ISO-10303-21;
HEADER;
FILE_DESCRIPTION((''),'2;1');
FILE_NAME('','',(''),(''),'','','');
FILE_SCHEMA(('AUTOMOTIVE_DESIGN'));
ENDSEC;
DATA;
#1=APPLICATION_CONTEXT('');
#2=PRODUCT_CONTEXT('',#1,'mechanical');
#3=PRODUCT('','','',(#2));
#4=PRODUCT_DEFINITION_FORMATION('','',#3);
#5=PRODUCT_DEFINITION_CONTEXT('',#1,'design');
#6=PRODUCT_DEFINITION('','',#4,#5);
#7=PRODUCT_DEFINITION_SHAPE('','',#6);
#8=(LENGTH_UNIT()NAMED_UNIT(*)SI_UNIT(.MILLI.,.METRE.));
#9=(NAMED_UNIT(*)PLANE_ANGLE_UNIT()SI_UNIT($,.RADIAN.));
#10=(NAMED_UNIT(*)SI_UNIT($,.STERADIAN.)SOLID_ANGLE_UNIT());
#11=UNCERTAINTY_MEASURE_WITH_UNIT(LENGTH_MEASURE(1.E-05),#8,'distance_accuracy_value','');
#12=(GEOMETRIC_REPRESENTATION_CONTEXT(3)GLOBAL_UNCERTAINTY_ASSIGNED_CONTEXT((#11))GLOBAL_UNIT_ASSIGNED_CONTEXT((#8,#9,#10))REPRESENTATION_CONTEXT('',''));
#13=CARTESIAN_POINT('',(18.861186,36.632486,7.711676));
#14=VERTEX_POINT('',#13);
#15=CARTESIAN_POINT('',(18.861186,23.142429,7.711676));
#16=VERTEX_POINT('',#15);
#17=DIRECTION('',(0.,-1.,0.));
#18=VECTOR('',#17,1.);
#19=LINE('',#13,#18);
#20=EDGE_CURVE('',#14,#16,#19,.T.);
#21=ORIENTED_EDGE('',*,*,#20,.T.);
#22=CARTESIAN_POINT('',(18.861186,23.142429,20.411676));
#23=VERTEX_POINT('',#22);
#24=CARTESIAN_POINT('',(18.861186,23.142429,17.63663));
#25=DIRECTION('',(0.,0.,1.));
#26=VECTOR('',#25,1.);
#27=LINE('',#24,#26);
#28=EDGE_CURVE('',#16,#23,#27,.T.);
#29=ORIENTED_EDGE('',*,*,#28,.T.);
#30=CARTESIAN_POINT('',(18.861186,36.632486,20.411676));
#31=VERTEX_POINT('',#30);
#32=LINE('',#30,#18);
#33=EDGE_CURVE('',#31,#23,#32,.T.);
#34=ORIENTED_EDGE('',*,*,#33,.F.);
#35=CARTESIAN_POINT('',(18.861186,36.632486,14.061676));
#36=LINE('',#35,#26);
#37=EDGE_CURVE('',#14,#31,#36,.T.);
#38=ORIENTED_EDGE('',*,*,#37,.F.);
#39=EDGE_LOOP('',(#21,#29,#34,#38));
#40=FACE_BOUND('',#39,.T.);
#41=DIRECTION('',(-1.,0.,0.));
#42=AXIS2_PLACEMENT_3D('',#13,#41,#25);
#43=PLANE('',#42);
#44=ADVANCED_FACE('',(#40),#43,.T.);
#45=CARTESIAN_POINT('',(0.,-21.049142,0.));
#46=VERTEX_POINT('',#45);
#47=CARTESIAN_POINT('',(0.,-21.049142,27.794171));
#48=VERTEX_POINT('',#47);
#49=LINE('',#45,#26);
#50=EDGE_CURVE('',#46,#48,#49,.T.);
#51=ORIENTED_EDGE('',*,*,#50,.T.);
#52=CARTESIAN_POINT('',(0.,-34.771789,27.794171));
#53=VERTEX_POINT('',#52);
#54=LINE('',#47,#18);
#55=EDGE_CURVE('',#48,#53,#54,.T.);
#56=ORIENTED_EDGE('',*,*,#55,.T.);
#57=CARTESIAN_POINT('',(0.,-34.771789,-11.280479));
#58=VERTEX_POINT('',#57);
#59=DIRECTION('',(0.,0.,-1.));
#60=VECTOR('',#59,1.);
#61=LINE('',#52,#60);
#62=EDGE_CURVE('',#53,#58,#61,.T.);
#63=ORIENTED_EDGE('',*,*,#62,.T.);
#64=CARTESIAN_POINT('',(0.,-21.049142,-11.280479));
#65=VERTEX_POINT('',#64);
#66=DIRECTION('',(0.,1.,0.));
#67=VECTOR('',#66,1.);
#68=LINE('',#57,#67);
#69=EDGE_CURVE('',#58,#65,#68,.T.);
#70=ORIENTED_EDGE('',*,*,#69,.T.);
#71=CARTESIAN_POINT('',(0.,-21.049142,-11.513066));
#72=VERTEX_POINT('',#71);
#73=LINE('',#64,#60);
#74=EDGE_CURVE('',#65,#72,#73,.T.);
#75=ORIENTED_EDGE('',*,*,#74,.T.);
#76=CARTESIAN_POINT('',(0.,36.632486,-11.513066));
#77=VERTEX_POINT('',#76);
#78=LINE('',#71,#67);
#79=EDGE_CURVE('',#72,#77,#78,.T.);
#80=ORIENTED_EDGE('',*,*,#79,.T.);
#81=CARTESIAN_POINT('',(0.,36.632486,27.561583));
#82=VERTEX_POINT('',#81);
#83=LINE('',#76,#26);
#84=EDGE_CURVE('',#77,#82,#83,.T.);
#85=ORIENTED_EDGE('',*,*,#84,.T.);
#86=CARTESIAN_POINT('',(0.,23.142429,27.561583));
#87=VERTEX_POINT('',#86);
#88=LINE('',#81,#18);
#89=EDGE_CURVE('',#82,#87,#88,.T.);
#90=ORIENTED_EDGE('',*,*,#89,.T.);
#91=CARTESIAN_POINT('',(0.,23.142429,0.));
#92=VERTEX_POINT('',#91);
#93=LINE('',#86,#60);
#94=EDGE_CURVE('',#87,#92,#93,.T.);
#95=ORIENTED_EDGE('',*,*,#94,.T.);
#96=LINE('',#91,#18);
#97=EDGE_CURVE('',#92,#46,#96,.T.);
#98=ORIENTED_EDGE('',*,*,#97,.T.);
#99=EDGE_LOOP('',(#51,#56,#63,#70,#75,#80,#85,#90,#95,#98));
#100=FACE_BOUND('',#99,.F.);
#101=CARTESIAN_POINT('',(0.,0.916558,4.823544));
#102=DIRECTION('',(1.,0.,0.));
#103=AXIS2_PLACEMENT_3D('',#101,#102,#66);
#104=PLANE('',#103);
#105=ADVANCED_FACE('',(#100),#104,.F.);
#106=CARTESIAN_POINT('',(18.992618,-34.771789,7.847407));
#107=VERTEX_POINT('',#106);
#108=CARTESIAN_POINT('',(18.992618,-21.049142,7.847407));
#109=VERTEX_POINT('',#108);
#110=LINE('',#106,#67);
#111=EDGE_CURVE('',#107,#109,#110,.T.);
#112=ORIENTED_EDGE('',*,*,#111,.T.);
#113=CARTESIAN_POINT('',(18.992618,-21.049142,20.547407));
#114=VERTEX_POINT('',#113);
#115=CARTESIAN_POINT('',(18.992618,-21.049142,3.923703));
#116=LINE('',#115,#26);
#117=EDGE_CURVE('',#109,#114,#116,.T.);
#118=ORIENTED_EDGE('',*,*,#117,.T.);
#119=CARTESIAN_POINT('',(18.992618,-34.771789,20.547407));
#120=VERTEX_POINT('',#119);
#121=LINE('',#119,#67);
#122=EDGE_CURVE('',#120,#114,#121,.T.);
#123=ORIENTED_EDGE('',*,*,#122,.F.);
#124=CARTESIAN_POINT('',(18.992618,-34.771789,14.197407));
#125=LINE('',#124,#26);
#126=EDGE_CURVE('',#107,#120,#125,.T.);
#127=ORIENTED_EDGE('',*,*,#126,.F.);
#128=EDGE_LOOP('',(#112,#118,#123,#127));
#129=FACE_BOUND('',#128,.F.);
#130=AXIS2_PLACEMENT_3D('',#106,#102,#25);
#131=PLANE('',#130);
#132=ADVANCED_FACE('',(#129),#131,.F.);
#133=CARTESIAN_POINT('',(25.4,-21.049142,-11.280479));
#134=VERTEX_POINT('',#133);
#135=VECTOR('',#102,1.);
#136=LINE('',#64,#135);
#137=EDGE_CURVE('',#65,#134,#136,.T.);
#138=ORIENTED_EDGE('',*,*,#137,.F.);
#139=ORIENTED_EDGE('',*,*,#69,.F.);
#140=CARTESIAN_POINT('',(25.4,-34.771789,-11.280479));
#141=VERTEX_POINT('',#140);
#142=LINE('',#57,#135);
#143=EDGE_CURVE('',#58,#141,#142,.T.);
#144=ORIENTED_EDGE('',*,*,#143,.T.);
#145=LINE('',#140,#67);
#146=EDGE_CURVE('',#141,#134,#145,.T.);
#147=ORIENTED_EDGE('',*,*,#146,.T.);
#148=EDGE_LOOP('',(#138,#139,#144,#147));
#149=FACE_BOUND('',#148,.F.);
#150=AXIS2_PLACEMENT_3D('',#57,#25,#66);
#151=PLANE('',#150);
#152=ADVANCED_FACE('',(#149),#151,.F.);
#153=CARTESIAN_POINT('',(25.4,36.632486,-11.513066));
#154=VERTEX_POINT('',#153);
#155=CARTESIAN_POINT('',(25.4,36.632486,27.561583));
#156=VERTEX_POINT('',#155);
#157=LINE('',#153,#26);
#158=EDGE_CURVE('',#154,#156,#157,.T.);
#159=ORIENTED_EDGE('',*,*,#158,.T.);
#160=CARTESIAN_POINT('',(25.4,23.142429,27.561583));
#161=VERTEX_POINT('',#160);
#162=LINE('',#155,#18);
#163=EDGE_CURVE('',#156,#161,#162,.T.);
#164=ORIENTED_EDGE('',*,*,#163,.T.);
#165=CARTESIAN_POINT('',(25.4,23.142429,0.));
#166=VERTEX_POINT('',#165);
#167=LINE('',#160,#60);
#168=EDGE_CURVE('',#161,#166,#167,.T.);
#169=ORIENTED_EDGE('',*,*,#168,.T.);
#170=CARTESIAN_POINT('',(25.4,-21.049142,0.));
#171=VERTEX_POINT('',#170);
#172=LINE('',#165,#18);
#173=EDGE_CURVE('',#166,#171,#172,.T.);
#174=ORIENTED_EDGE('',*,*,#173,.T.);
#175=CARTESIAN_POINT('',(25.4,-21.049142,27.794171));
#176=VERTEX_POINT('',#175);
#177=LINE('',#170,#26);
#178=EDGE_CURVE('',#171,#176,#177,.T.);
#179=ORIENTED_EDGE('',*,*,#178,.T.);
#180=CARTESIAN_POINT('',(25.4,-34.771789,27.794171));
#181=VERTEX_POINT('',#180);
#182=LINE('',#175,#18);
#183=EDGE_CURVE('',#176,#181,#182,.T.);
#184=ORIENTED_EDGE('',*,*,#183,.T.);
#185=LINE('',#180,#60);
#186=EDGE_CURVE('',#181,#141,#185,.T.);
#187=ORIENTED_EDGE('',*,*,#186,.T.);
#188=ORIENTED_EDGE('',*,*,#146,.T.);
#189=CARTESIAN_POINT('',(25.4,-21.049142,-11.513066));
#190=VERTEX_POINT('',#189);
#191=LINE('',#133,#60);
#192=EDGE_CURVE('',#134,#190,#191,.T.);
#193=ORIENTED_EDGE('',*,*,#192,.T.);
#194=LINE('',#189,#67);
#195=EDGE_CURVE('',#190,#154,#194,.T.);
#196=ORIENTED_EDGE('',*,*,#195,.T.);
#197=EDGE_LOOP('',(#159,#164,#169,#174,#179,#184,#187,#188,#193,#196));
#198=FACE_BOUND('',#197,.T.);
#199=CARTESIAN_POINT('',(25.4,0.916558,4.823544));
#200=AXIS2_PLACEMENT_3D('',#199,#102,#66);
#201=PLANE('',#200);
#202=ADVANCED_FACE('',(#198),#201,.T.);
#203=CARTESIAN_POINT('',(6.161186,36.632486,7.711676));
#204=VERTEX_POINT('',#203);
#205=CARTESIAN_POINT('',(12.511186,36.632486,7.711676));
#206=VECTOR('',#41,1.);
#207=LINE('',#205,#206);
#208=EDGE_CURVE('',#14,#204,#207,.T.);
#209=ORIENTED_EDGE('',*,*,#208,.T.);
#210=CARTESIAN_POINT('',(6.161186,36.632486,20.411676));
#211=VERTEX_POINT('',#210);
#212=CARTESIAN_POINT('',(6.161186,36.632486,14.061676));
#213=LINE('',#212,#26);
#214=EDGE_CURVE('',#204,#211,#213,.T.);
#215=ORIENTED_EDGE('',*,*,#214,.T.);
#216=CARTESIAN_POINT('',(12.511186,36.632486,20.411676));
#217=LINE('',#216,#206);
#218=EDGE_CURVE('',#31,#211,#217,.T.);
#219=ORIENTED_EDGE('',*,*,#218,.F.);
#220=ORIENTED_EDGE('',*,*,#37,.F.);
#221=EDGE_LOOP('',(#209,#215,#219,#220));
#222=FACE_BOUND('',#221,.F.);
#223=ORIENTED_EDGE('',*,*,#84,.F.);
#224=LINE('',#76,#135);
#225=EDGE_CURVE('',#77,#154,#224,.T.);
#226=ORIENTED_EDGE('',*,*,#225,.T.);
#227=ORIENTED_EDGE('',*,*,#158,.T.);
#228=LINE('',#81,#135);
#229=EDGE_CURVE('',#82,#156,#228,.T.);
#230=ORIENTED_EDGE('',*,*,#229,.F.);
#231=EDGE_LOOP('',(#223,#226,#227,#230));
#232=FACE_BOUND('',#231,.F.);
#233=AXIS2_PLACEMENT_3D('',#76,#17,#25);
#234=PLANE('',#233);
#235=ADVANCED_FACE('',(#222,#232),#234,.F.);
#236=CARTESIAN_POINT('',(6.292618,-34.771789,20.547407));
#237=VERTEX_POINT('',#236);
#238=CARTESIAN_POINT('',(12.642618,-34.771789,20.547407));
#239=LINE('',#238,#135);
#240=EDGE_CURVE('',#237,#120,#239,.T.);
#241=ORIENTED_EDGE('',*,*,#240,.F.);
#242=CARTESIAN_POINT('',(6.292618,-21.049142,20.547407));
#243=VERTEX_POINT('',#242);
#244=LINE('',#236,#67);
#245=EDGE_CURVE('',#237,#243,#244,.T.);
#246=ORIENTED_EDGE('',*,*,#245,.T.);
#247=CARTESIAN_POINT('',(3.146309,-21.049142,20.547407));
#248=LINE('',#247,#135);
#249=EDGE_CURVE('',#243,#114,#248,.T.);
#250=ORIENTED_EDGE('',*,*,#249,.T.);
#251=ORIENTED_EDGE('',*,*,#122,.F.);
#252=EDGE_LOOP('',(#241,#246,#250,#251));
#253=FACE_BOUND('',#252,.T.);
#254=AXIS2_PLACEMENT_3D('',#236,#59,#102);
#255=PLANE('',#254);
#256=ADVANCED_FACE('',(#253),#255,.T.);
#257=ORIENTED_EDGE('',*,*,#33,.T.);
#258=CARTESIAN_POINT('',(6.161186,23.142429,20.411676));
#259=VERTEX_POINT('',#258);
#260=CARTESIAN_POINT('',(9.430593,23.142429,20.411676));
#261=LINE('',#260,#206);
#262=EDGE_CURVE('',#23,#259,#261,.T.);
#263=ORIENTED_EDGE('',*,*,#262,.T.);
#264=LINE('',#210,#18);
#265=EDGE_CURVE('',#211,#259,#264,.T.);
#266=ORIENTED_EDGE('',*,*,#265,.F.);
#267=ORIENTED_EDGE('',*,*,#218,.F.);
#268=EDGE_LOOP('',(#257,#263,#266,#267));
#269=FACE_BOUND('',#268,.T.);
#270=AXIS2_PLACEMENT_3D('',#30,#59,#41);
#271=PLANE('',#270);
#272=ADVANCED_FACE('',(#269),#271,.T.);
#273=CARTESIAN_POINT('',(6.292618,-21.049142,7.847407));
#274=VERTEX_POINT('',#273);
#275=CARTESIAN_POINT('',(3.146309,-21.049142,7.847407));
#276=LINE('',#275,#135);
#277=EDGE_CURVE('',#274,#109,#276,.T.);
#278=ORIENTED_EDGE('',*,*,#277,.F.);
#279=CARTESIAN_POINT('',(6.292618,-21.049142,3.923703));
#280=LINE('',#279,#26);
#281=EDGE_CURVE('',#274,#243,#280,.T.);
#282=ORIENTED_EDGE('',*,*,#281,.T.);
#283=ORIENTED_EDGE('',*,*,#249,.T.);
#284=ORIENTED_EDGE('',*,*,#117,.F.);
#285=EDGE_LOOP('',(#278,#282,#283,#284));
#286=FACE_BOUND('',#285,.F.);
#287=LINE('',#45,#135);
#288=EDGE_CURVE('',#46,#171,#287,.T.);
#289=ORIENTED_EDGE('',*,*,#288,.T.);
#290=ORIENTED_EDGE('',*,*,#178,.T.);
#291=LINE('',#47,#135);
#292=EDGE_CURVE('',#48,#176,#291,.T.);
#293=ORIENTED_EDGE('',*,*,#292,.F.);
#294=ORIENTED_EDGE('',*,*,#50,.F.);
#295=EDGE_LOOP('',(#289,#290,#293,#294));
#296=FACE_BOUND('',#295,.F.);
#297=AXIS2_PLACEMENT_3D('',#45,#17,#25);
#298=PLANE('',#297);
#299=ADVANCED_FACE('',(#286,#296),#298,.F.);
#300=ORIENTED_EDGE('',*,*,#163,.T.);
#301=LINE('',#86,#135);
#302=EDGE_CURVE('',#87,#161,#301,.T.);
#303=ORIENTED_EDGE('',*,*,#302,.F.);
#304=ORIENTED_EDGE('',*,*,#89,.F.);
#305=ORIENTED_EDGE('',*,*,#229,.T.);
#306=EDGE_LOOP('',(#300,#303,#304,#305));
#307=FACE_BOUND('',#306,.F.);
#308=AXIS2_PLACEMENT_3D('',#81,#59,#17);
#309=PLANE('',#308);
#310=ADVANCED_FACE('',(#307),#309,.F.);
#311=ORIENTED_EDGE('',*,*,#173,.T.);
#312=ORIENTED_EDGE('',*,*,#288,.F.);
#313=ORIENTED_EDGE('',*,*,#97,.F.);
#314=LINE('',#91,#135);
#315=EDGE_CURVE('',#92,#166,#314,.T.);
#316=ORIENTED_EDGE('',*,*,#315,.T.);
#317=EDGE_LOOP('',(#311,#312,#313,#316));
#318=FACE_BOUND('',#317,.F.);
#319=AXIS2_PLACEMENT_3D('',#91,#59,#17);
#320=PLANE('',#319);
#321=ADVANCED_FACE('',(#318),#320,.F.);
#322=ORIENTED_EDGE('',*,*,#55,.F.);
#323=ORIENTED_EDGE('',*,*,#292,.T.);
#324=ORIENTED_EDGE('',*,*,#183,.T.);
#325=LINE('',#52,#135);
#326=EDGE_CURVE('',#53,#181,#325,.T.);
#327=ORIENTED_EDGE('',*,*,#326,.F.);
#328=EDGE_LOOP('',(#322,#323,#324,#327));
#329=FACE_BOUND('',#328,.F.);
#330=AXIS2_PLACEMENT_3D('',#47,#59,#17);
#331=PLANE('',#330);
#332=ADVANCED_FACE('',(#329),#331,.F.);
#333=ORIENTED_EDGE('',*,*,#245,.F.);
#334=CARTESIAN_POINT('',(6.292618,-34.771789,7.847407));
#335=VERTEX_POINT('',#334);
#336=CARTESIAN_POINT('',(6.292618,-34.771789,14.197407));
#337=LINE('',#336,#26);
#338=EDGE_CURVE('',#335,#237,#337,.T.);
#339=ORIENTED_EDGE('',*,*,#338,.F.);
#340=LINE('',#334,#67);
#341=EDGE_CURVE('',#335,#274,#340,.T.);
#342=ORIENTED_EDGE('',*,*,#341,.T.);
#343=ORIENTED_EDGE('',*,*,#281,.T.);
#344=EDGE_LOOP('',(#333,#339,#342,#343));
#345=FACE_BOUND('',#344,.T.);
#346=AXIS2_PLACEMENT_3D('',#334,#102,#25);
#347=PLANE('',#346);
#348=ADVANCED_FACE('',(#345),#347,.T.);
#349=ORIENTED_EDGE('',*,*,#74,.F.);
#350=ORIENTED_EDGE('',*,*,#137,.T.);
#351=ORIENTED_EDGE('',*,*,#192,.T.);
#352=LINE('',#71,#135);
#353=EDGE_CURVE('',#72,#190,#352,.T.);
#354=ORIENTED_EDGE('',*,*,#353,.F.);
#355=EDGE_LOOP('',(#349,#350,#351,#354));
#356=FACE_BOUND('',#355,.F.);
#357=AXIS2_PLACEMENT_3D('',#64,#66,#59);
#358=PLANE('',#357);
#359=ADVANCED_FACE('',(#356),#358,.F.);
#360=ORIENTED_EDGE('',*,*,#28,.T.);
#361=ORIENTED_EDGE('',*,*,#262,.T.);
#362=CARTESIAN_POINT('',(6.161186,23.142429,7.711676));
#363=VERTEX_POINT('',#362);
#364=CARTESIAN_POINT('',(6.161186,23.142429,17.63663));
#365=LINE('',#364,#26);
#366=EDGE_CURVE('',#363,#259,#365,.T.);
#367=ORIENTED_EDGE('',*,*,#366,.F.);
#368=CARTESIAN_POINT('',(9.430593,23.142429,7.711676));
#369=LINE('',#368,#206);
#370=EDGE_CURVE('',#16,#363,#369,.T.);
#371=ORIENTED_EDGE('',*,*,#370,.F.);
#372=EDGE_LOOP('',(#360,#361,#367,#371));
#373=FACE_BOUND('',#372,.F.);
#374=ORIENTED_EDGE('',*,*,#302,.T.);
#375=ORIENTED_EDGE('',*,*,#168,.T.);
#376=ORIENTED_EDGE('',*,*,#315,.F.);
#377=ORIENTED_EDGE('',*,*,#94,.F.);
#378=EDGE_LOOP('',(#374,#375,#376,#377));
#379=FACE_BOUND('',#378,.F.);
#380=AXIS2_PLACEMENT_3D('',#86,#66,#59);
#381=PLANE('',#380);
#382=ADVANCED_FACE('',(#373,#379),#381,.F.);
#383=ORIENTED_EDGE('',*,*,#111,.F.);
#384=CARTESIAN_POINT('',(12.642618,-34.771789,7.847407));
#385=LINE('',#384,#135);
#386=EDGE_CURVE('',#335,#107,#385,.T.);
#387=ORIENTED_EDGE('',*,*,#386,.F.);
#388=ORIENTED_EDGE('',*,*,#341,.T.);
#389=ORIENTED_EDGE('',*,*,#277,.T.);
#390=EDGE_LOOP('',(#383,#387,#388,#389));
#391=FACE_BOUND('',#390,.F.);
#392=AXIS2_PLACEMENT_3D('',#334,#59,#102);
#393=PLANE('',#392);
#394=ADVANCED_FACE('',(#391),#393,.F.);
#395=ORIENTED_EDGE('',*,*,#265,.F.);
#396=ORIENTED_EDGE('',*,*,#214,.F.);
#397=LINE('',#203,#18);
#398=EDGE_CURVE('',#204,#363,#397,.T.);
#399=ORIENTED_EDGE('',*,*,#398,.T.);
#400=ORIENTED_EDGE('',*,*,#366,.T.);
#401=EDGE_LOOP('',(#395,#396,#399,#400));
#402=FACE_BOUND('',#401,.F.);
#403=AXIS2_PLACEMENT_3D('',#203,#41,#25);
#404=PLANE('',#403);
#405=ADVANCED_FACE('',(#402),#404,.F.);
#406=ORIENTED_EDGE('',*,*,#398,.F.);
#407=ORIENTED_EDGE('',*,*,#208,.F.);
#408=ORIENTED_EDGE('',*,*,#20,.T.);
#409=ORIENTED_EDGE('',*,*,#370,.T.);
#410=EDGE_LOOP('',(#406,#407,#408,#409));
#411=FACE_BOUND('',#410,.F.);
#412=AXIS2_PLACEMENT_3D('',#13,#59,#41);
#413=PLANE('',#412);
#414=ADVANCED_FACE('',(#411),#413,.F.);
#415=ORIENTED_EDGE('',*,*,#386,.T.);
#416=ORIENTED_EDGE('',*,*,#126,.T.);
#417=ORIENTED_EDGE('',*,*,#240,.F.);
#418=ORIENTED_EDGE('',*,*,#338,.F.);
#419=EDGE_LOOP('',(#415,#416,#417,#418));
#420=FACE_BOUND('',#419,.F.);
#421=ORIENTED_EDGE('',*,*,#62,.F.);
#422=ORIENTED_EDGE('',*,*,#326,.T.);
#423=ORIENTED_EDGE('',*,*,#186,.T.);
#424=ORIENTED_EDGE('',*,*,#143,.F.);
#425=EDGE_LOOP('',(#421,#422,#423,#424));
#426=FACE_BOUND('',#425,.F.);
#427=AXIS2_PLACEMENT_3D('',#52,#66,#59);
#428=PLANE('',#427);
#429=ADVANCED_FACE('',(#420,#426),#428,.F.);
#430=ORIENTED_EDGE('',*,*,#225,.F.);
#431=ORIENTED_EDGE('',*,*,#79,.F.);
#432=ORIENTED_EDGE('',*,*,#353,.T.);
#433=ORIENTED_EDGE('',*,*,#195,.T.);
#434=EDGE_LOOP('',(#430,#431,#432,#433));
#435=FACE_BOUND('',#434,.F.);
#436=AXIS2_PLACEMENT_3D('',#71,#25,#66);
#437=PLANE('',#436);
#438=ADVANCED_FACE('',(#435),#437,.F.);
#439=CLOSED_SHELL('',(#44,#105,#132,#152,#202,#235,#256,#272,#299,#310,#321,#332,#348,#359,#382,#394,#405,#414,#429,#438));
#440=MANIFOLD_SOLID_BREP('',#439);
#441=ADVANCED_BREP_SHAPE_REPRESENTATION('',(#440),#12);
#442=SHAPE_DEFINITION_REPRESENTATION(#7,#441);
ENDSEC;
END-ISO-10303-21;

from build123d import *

# Parameters (mm, degrees)
F1_DEPTH = 25.4
F2_DEPTH = 25.4
F3_W     = 12.7
F3_H     = 12.7
F4_DEPTH = 50.8
F5_W     = 12.7
F5_H     = 12.7
F6_DEPTH = 50.8


with BuildPart() as f1:
    # F0 (on Right) → F1 (new body)
    with BuildSketch(Plane.YZ):
        Polygon((-21.049142, 27.794171), (-34.771789, 27.794171), (-34.771789, -11.280479), (-21.049142, -11.280479), (-21.049142, -11.513066), (23.142429, -11.513066), (36.632486, -11.513066), (36.632486, 27.561583), (23.142429, 27.561583), (23.142429, 0), (-21.049142, 0), align=None)
    extrude(amount=F1_DEPTH)

    # F0 (on Right) → F2 (join)
    with BuildSketch(Plane.YZ):
        Polygon((-21.049142, 27.794171), (-34.771789, 27.794171), (-34.771789, -11.280479), (-21.049142, -11.280479), (-21.049142, -11.513066), (23.142429, -11.513066), (36.632486, -11.513066), (36.632486, 27.561583), (23.142429, 27.561583), (23.142429, 0), (-21.049142, 0), align=None)
    extrude(amount=F2_DEPTH)

    # F3 (on face) → F4 (cut)
    with BuildSketch(Plane.XZ.offset(34.771789)):
        with Locations((12.642618, 14.197407)):
            Rectangle(F3_W, F3_H)
    extrude(amount=-F4_DEPTH, mode=Mode.SUBTRACT)

    # F5 (on face) → F6 (cut)
    with BuildSketch(Plane(origin=(0, 36.632486, 0), x_dir=(-1, 0, 0), z_dir=(0, 1, 0))):
        with Locations((-12.511186, 14.061676)):
            Rectangle(F5_W, F5_H)
    extrude(amount=-F6_DEPTH, mode=Mode.SUBTRACT)


solid = f1.part
